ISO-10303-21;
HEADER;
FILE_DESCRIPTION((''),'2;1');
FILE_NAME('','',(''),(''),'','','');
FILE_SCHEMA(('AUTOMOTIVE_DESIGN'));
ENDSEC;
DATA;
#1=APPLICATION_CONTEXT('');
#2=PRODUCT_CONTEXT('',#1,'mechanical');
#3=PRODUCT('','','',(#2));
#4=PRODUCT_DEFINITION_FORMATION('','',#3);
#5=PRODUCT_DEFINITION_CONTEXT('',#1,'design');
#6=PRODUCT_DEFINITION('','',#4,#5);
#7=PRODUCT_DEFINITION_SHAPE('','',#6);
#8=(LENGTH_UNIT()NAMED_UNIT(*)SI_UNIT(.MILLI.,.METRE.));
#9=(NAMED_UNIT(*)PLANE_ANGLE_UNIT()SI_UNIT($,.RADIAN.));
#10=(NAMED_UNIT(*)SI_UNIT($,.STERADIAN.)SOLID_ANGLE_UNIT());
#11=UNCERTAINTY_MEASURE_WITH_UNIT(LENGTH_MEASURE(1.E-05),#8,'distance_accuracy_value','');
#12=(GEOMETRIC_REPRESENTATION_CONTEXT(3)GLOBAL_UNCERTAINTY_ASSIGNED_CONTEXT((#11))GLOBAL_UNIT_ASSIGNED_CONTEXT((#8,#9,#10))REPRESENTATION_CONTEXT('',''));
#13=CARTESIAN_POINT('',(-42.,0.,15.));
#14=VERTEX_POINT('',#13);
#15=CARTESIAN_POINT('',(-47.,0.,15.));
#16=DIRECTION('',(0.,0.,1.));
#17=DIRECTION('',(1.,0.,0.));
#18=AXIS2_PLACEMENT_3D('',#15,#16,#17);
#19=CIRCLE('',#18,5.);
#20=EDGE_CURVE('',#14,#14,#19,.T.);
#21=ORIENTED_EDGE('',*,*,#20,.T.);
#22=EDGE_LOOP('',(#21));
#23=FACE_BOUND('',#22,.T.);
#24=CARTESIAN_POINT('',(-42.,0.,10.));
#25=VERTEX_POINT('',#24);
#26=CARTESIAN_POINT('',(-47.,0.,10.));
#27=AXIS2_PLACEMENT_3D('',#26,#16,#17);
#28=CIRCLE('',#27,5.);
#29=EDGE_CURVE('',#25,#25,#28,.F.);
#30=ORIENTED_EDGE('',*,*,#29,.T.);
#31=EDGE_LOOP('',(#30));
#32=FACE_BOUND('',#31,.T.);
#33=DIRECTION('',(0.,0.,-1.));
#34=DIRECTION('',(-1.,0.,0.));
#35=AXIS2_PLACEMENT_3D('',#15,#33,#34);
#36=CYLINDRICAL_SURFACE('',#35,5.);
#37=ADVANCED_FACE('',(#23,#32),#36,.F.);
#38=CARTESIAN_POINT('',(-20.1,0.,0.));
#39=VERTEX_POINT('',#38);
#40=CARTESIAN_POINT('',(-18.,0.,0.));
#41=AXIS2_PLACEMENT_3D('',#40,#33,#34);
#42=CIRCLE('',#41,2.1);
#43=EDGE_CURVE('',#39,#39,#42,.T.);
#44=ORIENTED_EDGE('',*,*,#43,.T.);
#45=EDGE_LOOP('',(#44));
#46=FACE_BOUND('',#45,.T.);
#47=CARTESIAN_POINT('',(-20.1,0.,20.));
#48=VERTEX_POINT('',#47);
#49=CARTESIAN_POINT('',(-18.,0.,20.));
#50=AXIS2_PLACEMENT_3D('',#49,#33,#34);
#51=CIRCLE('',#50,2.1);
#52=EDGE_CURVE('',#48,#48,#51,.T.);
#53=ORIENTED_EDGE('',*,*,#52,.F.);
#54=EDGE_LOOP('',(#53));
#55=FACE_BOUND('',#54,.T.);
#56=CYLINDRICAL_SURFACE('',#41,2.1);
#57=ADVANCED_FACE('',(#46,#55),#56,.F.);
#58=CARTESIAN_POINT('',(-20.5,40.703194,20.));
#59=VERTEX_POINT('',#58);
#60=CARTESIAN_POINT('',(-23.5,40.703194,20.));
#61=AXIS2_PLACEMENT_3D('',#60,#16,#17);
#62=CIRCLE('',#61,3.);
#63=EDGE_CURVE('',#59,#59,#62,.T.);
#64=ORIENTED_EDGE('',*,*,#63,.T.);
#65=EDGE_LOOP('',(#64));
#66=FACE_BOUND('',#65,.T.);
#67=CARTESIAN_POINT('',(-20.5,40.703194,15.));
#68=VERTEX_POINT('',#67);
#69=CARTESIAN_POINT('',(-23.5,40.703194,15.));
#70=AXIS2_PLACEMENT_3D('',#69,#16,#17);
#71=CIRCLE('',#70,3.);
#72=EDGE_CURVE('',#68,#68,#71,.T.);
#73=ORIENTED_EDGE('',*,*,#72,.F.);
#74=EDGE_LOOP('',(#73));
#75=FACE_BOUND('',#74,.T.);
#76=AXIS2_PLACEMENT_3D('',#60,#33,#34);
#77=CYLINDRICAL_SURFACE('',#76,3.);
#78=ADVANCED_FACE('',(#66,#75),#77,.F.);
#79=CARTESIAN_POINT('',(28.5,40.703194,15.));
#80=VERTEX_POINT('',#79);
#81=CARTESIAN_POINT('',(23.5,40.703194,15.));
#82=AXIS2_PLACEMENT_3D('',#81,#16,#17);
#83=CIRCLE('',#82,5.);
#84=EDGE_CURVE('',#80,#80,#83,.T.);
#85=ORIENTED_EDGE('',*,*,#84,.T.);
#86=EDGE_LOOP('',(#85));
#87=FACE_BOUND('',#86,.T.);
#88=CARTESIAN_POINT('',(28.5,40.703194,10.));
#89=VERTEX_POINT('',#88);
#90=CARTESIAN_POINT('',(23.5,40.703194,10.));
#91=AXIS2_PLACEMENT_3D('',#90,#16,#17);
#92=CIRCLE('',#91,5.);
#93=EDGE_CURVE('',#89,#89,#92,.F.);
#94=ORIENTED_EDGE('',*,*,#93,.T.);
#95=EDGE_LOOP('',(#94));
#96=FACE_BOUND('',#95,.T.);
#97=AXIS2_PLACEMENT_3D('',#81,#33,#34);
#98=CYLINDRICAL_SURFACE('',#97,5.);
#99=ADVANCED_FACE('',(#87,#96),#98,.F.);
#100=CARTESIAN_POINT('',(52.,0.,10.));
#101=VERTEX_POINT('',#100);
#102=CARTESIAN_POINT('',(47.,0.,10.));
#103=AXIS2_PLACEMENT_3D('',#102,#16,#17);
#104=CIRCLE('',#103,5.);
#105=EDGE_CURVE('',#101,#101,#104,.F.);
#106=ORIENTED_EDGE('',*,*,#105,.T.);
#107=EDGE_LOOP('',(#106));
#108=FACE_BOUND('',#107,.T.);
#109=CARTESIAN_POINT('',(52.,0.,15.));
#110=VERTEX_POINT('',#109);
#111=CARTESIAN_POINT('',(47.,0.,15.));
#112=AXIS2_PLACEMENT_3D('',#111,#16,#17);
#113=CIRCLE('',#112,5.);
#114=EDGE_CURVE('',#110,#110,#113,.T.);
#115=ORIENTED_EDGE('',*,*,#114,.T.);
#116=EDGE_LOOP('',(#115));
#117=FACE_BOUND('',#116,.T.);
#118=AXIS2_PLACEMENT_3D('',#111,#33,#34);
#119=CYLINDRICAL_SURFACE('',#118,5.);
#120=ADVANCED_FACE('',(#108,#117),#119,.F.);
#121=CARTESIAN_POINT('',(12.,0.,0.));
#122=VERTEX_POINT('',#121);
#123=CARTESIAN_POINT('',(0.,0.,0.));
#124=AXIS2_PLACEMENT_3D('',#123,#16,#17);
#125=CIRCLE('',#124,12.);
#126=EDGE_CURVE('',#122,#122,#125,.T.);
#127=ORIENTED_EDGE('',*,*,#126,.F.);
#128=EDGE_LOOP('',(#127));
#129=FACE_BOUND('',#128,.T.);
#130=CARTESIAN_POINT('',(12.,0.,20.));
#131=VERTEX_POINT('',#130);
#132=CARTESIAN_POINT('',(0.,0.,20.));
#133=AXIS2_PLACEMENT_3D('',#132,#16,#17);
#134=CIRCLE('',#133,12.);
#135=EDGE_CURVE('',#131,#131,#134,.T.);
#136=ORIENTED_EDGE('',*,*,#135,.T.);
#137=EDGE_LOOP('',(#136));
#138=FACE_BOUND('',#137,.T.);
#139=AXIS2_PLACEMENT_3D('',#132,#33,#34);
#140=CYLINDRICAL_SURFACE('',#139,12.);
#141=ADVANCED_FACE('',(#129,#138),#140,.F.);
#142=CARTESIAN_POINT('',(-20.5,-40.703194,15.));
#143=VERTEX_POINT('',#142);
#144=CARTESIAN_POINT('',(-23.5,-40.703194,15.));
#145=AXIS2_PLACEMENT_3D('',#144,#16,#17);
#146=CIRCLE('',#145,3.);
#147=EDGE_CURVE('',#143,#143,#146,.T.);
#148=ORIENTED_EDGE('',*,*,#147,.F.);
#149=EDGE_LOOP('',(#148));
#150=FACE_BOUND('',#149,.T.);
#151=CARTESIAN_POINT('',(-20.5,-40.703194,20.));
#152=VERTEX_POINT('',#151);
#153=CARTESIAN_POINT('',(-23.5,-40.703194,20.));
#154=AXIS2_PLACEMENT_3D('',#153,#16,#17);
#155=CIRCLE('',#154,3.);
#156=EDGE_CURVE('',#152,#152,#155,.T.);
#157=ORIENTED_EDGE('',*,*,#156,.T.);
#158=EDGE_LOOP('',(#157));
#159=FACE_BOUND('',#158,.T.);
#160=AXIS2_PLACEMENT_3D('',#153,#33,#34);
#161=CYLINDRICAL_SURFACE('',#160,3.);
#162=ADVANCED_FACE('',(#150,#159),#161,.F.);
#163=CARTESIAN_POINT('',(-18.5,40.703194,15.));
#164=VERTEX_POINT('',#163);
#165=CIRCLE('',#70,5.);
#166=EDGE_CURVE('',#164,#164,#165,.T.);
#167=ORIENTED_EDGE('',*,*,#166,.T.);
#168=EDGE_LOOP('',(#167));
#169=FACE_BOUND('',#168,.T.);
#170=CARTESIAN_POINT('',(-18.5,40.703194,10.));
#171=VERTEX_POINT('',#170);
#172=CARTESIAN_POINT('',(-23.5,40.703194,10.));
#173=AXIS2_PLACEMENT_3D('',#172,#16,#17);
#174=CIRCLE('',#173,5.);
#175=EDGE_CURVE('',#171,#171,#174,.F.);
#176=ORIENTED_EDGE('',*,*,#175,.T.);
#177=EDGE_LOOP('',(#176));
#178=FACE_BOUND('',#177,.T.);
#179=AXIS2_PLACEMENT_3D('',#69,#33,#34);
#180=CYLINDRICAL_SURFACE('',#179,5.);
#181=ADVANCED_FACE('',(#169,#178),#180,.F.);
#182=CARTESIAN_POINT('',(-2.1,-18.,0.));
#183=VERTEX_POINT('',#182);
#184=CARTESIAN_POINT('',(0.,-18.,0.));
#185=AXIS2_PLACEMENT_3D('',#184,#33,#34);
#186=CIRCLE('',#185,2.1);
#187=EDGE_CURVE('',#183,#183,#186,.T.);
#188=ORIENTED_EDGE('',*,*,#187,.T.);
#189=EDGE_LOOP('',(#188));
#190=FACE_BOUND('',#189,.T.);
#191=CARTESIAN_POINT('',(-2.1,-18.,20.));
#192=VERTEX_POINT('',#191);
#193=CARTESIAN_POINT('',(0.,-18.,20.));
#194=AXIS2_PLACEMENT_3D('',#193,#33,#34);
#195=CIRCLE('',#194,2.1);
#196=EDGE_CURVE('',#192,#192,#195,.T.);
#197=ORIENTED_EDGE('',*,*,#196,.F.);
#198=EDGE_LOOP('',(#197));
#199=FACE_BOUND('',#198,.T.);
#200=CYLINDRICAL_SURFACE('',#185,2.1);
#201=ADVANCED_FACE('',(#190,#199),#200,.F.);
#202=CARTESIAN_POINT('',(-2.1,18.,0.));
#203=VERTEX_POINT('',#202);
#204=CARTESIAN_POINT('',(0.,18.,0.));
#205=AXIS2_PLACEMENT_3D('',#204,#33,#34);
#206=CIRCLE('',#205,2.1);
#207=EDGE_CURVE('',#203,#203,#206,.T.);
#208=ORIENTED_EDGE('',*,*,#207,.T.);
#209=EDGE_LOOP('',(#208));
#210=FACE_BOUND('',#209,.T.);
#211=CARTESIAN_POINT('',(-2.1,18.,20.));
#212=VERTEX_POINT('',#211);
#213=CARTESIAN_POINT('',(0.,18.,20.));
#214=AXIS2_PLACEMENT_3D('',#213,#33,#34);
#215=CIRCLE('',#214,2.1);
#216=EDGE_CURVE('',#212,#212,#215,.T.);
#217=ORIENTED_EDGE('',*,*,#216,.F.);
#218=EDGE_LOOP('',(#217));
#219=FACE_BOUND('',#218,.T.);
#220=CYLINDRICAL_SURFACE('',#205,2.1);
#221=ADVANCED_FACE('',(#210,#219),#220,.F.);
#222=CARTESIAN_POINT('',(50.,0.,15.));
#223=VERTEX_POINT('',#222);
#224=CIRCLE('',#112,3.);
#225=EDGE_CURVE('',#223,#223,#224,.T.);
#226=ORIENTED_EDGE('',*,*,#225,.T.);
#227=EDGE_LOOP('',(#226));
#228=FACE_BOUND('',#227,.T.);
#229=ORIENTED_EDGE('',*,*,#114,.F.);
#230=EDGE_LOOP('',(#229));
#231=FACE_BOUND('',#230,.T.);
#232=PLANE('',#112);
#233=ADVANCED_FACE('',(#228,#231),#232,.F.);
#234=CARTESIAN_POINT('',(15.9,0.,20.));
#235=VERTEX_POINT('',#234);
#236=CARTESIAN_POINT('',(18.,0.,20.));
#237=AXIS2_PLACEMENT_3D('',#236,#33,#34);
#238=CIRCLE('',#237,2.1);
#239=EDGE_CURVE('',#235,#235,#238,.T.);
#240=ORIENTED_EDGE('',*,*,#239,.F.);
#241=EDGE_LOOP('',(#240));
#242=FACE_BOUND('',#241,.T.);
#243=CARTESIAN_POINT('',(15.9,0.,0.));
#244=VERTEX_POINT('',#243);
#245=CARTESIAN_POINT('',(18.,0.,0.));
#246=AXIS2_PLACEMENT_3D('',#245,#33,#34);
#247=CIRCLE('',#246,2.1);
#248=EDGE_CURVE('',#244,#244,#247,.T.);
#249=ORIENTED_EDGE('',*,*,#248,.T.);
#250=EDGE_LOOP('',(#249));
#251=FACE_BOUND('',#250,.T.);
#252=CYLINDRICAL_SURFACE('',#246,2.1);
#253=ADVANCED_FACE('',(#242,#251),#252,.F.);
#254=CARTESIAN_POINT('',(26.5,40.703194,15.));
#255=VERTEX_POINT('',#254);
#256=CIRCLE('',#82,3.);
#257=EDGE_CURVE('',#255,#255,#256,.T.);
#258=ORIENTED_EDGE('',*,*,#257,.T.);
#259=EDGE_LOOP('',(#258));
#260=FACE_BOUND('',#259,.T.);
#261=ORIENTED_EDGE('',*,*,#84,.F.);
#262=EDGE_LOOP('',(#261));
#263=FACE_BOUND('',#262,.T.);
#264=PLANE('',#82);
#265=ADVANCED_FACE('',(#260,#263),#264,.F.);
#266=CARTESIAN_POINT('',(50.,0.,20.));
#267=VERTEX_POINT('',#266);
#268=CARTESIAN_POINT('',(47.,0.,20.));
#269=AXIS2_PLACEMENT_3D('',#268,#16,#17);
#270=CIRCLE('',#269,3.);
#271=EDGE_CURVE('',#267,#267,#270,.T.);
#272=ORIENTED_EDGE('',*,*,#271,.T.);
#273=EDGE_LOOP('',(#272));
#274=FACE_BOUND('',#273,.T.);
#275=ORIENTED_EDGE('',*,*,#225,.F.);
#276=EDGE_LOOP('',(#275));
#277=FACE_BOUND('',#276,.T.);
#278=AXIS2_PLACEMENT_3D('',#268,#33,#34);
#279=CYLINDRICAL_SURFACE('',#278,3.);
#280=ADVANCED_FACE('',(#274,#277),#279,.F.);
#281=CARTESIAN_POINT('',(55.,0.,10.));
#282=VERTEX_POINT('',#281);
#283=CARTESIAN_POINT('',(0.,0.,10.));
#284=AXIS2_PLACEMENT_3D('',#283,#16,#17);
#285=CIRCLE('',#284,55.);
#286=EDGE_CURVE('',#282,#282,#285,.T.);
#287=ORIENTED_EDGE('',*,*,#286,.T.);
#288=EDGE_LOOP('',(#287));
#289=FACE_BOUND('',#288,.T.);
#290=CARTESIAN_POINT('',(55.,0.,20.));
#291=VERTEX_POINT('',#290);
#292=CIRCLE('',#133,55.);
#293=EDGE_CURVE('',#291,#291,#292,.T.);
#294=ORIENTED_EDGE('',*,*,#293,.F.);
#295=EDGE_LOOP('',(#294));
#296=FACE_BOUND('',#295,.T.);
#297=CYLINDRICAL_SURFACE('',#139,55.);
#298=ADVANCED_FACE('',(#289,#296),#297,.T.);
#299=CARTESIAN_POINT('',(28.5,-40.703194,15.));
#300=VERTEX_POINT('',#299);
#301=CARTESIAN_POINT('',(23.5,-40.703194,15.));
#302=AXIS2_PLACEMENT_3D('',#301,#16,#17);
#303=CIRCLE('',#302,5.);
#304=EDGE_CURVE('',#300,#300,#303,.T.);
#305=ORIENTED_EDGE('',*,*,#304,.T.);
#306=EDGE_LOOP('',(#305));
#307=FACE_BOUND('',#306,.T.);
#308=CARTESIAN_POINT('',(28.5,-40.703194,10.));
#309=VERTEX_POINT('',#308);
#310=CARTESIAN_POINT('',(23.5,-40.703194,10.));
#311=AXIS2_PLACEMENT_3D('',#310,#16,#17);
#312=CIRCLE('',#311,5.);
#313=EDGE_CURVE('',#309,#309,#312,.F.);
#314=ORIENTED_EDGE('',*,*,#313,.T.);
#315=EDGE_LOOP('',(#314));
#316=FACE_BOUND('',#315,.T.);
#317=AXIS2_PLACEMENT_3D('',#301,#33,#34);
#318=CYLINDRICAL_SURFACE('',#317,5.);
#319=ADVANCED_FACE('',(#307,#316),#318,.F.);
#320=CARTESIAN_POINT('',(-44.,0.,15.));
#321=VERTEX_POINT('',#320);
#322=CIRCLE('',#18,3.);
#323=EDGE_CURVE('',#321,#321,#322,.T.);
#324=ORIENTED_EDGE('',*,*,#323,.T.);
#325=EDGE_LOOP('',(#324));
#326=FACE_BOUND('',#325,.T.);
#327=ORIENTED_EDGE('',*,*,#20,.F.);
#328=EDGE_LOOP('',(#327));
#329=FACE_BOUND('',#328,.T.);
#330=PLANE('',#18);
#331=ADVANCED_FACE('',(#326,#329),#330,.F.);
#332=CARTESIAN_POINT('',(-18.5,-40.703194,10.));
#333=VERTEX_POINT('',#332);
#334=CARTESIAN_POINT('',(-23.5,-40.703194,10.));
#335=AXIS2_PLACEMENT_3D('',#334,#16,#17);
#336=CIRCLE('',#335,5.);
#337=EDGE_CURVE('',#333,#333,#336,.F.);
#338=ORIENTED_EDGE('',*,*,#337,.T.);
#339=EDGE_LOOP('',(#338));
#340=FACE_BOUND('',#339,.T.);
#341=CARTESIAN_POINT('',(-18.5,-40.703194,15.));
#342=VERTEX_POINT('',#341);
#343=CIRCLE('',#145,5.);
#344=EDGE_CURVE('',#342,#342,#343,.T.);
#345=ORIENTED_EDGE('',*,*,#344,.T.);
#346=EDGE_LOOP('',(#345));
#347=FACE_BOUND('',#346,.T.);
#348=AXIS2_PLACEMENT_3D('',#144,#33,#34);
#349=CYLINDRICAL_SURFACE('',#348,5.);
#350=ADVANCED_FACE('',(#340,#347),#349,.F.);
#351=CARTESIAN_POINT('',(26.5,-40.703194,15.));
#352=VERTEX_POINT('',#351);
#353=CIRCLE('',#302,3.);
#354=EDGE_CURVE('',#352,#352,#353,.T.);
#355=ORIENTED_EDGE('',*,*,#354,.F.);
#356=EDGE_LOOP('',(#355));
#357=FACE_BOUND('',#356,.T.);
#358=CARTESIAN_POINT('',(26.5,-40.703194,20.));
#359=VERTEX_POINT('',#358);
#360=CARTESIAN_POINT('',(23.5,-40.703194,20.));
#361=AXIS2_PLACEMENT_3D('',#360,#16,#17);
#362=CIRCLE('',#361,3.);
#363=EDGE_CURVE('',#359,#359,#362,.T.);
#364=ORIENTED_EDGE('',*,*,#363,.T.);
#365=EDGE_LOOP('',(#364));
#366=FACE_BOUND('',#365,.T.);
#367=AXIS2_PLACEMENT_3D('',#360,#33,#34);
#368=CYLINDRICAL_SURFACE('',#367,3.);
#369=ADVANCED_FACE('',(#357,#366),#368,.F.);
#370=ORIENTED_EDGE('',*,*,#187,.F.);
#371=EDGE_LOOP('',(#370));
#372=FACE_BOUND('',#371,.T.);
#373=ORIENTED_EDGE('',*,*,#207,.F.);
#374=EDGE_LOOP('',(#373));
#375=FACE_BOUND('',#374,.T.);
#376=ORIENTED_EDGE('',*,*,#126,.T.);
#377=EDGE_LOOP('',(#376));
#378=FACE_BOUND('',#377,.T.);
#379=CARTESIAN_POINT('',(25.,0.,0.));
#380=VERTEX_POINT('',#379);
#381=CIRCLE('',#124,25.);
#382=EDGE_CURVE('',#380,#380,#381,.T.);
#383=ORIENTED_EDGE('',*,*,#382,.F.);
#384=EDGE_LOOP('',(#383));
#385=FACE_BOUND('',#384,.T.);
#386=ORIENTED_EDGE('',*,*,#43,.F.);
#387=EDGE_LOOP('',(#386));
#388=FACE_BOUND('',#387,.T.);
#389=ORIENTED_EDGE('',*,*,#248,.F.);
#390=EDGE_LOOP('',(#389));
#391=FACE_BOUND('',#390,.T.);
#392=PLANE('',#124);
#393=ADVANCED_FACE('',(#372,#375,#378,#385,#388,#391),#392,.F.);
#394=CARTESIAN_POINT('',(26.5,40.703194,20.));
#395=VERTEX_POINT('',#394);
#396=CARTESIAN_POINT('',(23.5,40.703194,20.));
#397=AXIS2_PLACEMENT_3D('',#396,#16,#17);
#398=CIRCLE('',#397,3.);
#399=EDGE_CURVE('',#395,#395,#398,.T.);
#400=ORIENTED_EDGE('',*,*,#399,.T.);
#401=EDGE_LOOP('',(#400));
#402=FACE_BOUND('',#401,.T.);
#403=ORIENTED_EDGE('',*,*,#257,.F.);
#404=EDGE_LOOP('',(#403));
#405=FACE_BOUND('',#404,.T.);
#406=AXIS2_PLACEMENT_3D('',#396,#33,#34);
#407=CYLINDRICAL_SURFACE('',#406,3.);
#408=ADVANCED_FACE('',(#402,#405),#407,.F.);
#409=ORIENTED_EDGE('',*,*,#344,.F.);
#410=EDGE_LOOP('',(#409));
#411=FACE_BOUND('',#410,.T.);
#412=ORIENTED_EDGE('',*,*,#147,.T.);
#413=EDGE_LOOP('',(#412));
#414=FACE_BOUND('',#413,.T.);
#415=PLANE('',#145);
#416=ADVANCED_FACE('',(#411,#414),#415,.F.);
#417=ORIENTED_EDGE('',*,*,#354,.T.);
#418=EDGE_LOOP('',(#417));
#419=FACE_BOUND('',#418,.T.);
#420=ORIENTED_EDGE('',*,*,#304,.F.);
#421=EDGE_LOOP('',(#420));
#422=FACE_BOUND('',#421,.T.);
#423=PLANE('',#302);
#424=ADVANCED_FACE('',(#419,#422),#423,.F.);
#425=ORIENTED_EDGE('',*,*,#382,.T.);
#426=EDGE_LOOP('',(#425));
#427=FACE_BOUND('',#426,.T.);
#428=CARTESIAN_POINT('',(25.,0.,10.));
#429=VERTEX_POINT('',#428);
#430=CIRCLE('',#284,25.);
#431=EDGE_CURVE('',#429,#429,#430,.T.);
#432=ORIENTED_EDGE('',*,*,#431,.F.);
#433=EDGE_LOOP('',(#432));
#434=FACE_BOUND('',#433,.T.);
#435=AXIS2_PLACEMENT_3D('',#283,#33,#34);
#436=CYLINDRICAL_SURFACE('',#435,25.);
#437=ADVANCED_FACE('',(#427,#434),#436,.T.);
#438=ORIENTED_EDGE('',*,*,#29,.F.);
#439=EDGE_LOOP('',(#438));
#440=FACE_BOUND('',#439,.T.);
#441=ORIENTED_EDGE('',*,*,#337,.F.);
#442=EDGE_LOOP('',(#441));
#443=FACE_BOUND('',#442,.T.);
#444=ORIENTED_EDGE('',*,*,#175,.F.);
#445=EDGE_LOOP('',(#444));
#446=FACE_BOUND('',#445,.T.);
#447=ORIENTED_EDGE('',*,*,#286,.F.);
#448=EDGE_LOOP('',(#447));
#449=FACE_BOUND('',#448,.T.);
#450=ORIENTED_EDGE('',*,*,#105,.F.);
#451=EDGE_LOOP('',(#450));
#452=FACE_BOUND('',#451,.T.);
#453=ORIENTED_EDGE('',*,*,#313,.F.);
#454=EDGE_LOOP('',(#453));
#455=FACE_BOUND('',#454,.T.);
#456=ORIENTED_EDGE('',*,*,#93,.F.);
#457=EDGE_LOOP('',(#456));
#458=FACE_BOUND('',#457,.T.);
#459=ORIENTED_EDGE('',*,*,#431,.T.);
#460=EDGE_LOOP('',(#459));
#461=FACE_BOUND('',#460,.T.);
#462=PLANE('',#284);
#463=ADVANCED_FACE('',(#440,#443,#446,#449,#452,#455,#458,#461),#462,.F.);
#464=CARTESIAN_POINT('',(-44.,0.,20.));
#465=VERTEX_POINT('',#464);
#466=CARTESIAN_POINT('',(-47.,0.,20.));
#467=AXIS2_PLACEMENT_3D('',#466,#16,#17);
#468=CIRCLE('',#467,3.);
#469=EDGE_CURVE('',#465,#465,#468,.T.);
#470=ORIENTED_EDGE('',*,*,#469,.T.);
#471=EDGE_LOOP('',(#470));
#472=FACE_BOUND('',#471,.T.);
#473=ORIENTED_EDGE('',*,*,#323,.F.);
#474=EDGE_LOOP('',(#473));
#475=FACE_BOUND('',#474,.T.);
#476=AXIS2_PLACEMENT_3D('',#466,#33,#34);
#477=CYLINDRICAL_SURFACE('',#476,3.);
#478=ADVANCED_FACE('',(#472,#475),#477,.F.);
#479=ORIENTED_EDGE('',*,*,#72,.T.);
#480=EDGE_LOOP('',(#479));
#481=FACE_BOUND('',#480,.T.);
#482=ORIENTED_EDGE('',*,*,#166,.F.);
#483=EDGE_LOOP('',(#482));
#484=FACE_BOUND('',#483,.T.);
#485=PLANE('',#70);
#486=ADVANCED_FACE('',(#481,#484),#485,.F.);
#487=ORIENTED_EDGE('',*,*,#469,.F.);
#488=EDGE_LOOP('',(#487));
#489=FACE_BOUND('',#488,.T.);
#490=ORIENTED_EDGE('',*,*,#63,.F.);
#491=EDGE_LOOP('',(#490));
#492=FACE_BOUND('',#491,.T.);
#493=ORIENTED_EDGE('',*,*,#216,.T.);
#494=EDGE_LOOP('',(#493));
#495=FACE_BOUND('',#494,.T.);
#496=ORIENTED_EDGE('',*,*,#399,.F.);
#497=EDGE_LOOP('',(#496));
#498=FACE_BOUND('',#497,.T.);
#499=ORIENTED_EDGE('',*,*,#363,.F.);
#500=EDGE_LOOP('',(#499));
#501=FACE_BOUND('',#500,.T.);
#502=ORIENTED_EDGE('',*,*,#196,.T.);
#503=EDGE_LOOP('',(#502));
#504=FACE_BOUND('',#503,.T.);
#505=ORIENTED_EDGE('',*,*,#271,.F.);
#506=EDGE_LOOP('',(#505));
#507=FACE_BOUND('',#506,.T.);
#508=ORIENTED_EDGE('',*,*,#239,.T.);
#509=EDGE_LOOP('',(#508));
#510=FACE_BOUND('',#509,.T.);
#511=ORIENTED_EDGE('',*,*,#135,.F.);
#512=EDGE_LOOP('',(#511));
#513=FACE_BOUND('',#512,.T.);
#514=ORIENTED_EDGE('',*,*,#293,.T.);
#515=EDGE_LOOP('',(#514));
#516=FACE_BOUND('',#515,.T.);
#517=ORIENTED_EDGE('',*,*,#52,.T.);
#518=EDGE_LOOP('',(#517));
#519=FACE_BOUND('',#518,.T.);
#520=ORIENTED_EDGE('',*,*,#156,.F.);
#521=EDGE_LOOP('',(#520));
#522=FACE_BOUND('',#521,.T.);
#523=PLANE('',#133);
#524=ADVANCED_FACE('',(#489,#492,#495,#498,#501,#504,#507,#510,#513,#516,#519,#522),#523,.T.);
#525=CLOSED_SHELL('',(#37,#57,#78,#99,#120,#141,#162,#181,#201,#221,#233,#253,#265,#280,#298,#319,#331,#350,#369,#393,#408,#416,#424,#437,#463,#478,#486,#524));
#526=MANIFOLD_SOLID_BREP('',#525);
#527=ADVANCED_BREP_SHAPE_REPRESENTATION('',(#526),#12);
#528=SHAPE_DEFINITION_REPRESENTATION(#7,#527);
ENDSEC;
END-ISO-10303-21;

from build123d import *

# Parameters (mm, degrees)
SKETCH_1_R          = 55
SKETCH_1_R_2        = 12
SKETCH_1_R_3        = 3
EXTRUDE_1_DEPTH     = 20
SKETCH_2_OUTSIDE_W  = 143.368
SKETCH_2_OUTSIDE_H  = 143.368
SKETCH_2_OUTSIDE_R  = 25
CUT_EXTRUDE_1_DEPTH = 10
SKETCH_4_R          = 5
CUT_EXTRUDE_2_DEPTH = 15
HOLE_WIZARD_M5_1_D  = 4.2


with BuildPart() as part:
    # 草图1 → 凸台-拉伸1 (new body)
    with BuildSketch(Plane.XY):
        Circle(SKETCH_1_R)
        Circle(SKETCH_1_R_2, mode=Mode.SUBTRACT)
        with Locations((47, 0)):
            Circle(SKETCH_1_R_3, mode=Mode.SUBTRACT)
        with Locations((23.5, -40.703193978)):
            Circle(SKETCH_1_R_3, mode=Mode.SUBTRACT)
        with Locations((-23.5, -40.703193978)):
            Circle(SKETCH_1_R_3, mode=Mode.SUBTRACT)
        with Locations((-47, 0)):
            Circle(SKETCH_1_R_3, mode=Mode.SUBTRACT)
        with Locations((-23.5, 40.703193978)):
            Circle(SKETCH_1_R_3, mode=Mode.SUBTRACT)
        with Locations((23.5, 40.703193978)):
            Circle(SKETCH_1_R_3, mode=Mode.SUBTRACT)
    extrude(amount=EXTRUDE_1_DEPTH)

    # 草图2 outside → 切除-拉伸1 (cut)
    with BuildSketch(Plane.XY):
        Rectangle(SKETCH_2_OUTSIDE_W, SKETCH_2_OUTSIDE_H)
        Circle(SKETCH_2_OUTSIDE_R, mode=Mode.SUBTRACT)
    extrude(amount=CUT_EXTRUDE_1_DEPTH, mode=Mode.SUBTRACT)

    # 草图4 → 切除-拉伸2 (cut)
    with BuildSketch(Plane.XY):
        with Locations((-47, 0)):
            Circle(SKETCH_4_R)
        with Locations((-23.5, 40.703193978)):
            Circle(SKETCH_4_R)
        with Locations((23.5, 40.703193978)):
            Circle(SKETCH_4_R)
        with Locations((47, 0)):
            Circle(SKETCH_4_R)
        with Locations((23.5, -40.703193978)):
            Circle(SKETCH_4_R)
        with Locations((-23.5, -40.703193978)):
            Circle(SKETCH_4_R)
    extrude(amount=CUT_EXTRUDE_2_DEPTH, mode=Mode.SUBTRACT)

    # M5 螺纹孔的螺纹孔钻头1 (through all)
    with Locations(Plane(origin=(0, 0, 0), x_dir=(-1, 0, 0), z_dir=(0, 0, -1))):
        with Locations((0, 18), (18, 0), (0, -18), (-18, 0)):
            Hole(HOLE_WIZARD_M5_1_D / 2)


solid = part.part
